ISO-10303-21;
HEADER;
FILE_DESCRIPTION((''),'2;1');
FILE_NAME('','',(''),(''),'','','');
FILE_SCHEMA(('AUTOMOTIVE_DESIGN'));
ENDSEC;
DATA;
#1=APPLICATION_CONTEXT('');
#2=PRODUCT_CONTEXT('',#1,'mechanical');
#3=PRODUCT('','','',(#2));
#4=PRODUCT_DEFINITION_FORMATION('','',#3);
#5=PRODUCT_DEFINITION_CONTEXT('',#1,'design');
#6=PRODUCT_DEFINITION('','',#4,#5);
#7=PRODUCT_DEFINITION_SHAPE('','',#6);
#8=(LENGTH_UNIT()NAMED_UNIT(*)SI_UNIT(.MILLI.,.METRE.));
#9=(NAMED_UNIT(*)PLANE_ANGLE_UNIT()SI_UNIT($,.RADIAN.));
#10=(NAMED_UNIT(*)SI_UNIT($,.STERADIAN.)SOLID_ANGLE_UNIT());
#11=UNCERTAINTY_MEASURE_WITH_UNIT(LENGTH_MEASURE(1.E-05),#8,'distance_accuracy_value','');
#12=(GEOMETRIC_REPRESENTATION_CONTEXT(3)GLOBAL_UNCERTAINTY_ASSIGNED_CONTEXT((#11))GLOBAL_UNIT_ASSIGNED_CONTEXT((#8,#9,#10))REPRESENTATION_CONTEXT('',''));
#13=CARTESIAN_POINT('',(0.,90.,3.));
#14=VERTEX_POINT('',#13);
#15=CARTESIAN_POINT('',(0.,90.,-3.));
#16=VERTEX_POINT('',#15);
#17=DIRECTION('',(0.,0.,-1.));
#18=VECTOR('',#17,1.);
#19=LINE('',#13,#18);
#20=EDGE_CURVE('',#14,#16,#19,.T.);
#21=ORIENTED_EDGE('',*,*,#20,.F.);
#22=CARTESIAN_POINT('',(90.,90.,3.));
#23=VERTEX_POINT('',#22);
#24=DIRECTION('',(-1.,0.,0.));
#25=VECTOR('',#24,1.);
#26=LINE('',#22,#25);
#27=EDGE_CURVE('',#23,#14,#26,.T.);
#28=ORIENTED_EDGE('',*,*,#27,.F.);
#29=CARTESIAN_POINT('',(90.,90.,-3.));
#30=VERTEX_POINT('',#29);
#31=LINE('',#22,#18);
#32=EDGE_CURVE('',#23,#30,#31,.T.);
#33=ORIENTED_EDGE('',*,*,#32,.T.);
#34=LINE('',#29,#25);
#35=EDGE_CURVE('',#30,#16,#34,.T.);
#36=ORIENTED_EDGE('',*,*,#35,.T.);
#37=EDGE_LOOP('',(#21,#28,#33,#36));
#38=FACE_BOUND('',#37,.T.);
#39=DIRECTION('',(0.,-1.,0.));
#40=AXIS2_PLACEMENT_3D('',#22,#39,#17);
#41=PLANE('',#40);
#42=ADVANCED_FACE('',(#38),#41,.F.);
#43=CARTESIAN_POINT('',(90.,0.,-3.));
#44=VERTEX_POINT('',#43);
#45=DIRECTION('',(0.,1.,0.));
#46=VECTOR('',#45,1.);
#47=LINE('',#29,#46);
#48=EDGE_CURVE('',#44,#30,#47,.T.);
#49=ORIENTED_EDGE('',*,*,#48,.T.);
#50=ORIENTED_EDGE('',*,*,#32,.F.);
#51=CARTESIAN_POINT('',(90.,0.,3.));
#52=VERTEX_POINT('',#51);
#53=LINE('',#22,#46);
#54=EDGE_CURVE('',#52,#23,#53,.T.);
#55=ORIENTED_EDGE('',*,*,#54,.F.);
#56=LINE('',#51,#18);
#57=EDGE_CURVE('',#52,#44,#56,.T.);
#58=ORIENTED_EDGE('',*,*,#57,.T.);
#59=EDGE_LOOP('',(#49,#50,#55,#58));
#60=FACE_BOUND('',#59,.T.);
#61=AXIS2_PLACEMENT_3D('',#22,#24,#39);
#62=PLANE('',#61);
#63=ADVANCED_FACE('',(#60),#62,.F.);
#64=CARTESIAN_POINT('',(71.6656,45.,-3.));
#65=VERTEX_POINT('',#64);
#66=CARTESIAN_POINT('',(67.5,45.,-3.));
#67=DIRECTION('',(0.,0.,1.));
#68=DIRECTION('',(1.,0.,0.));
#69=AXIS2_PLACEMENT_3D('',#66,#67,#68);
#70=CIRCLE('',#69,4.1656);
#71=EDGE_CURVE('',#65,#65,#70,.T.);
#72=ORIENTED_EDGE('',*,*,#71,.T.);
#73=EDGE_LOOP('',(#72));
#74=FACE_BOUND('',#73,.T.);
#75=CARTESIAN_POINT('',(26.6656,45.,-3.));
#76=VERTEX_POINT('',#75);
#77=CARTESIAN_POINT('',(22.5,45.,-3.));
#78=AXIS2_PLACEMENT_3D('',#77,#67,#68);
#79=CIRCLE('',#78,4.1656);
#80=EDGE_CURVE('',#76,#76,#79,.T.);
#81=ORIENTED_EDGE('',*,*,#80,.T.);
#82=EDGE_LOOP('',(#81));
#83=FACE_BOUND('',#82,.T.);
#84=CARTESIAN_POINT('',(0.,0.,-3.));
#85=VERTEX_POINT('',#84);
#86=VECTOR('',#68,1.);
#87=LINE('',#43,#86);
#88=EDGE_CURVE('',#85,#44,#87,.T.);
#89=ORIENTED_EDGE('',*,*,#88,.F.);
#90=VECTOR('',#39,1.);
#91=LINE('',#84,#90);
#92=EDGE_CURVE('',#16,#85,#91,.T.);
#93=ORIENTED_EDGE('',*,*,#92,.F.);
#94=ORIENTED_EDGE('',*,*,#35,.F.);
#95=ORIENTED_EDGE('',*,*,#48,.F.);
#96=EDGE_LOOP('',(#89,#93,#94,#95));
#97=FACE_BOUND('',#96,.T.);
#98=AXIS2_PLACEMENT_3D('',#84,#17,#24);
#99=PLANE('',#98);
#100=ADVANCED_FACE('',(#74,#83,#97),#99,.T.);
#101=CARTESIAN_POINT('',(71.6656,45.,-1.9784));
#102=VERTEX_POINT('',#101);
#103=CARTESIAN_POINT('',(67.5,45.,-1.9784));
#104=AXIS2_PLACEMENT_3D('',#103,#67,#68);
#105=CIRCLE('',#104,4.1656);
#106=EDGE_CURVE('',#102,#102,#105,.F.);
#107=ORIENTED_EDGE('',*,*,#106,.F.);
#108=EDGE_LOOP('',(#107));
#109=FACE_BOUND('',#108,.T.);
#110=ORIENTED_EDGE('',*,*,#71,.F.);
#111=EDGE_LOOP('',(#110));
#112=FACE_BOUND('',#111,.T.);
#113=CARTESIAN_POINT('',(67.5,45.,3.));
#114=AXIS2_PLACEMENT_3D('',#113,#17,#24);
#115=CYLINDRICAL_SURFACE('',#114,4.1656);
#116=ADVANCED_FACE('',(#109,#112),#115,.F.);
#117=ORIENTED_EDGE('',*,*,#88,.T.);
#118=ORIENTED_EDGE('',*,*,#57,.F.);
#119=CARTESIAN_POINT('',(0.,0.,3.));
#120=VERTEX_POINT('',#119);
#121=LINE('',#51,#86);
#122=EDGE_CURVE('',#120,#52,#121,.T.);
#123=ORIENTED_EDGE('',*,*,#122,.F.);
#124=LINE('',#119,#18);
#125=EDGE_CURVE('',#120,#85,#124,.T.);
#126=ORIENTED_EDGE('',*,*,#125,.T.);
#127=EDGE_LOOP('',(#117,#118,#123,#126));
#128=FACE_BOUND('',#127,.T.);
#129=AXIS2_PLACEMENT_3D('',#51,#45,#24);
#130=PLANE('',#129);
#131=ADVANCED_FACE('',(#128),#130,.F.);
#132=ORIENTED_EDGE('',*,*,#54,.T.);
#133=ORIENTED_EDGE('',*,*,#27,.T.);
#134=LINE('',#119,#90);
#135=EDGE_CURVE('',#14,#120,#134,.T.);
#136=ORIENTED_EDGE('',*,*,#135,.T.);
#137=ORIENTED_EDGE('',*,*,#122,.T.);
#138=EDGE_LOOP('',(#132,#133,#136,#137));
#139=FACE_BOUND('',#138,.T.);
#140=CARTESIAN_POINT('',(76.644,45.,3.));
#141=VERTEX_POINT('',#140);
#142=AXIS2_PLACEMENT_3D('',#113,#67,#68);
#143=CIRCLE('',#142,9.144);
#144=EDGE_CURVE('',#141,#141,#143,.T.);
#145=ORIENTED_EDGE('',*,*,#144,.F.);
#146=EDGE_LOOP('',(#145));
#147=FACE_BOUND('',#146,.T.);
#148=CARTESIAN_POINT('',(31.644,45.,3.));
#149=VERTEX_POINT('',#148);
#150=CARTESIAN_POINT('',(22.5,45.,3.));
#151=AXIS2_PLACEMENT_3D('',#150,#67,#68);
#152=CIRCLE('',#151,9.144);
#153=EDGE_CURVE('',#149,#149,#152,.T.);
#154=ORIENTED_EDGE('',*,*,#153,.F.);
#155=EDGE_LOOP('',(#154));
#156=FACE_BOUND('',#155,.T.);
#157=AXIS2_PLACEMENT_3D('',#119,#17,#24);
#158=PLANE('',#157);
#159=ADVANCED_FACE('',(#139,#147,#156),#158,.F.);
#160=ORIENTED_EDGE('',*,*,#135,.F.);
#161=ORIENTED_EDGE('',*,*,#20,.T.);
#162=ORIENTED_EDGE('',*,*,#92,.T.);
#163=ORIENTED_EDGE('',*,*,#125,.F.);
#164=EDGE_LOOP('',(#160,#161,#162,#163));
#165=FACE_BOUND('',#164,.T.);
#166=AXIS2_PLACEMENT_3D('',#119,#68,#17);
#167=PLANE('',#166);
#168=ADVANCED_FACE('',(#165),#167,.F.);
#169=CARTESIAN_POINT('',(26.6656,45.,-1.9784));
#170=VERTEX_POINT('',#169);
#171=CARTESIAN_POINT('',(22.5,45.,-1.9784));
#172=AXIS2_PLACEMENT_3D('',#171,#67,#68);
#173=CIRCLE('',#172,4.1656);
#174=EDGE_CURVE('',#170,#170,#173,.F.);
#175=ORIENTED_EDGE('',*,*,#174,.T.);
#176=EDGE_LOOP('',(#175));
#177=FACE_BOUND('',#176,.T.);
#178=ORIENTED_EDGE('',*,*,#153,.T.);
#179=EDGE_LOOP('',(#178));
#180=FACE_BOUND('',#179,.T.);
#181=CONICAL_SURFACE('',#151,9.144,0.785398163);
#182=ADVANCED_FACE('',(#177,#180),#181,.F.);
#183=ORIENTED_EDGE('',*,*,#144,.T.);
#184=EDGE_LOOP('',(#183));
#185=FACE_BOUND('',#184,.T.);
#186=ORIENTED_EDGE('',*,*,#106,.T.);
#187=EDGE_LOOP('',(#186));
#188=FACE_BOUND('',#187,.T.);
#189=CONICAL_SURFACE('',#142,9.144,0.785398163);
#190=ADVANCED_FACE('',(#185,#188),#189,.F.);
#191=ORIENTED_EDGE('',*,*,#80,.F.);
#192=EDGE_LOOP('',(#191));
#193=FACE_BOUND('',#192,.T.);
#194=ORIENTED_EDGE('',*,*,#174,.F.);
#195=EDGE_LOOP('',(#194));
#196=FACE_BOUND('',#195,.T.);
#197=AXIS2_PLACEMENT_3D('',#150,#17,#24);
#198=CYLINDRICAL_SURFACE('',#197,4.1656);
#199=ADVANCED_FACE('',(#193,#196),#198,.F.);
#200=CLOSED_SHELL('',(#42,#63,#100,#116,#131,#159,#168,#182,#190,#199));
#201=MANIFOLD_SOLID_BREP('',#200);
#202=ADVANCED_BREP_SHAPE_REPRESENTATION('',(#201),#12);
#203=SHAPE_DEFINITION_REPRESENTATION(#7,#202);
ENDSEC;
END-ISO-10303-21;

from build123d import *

# Parameters (mm, degrees)
SKETCH1_W           = 90
SKETCH1_H           = 90
SKETCH1_R           = 4.1656
BOSS_EXTRUDE1_DEPTH = 3
SKETCH2_R           = 9.144
CUT_EXTRUDE1_DEPTH  = 7
CUT_EXTRUDE1_TAPER  = 45


with BuildPart() as part:
    # Sketch1 → Boss-Extrude1 (new body, symmetric)
    with BuildSketch(Plane.XY):
        with Locations((45, 45)):
            Rectangle(SKETCH1_W, SKETCH1_H)
        with Locations((22.5, 45)):
            Circle(SKETCH1_R, mode=Mode.SUBTRACT)
        with Locations((67.5, 45)):
            Circle(SKETCH1_R, mode=Mode.SUBTRACT)
    extrude(amount=BOSS_EXTRUDE1_DEPTH, both=True)

    # Sketch2 → Cut-Extrude1 (cut, through all)
    with BuildSketch(Plane.XY.offset(3)):
        with Locations((22.5, 45)):
            Circle(SKETCH2_R)
        with Locations((67.5, 45)):
            Circle(SKETCH2_R)
    extrude(amount=-CUT_EXTRUDE1_DEPTH, taper=CUT_EXTRUDE1_TAPER, mode=Mode.SUBTRACT)


solid = part.part
